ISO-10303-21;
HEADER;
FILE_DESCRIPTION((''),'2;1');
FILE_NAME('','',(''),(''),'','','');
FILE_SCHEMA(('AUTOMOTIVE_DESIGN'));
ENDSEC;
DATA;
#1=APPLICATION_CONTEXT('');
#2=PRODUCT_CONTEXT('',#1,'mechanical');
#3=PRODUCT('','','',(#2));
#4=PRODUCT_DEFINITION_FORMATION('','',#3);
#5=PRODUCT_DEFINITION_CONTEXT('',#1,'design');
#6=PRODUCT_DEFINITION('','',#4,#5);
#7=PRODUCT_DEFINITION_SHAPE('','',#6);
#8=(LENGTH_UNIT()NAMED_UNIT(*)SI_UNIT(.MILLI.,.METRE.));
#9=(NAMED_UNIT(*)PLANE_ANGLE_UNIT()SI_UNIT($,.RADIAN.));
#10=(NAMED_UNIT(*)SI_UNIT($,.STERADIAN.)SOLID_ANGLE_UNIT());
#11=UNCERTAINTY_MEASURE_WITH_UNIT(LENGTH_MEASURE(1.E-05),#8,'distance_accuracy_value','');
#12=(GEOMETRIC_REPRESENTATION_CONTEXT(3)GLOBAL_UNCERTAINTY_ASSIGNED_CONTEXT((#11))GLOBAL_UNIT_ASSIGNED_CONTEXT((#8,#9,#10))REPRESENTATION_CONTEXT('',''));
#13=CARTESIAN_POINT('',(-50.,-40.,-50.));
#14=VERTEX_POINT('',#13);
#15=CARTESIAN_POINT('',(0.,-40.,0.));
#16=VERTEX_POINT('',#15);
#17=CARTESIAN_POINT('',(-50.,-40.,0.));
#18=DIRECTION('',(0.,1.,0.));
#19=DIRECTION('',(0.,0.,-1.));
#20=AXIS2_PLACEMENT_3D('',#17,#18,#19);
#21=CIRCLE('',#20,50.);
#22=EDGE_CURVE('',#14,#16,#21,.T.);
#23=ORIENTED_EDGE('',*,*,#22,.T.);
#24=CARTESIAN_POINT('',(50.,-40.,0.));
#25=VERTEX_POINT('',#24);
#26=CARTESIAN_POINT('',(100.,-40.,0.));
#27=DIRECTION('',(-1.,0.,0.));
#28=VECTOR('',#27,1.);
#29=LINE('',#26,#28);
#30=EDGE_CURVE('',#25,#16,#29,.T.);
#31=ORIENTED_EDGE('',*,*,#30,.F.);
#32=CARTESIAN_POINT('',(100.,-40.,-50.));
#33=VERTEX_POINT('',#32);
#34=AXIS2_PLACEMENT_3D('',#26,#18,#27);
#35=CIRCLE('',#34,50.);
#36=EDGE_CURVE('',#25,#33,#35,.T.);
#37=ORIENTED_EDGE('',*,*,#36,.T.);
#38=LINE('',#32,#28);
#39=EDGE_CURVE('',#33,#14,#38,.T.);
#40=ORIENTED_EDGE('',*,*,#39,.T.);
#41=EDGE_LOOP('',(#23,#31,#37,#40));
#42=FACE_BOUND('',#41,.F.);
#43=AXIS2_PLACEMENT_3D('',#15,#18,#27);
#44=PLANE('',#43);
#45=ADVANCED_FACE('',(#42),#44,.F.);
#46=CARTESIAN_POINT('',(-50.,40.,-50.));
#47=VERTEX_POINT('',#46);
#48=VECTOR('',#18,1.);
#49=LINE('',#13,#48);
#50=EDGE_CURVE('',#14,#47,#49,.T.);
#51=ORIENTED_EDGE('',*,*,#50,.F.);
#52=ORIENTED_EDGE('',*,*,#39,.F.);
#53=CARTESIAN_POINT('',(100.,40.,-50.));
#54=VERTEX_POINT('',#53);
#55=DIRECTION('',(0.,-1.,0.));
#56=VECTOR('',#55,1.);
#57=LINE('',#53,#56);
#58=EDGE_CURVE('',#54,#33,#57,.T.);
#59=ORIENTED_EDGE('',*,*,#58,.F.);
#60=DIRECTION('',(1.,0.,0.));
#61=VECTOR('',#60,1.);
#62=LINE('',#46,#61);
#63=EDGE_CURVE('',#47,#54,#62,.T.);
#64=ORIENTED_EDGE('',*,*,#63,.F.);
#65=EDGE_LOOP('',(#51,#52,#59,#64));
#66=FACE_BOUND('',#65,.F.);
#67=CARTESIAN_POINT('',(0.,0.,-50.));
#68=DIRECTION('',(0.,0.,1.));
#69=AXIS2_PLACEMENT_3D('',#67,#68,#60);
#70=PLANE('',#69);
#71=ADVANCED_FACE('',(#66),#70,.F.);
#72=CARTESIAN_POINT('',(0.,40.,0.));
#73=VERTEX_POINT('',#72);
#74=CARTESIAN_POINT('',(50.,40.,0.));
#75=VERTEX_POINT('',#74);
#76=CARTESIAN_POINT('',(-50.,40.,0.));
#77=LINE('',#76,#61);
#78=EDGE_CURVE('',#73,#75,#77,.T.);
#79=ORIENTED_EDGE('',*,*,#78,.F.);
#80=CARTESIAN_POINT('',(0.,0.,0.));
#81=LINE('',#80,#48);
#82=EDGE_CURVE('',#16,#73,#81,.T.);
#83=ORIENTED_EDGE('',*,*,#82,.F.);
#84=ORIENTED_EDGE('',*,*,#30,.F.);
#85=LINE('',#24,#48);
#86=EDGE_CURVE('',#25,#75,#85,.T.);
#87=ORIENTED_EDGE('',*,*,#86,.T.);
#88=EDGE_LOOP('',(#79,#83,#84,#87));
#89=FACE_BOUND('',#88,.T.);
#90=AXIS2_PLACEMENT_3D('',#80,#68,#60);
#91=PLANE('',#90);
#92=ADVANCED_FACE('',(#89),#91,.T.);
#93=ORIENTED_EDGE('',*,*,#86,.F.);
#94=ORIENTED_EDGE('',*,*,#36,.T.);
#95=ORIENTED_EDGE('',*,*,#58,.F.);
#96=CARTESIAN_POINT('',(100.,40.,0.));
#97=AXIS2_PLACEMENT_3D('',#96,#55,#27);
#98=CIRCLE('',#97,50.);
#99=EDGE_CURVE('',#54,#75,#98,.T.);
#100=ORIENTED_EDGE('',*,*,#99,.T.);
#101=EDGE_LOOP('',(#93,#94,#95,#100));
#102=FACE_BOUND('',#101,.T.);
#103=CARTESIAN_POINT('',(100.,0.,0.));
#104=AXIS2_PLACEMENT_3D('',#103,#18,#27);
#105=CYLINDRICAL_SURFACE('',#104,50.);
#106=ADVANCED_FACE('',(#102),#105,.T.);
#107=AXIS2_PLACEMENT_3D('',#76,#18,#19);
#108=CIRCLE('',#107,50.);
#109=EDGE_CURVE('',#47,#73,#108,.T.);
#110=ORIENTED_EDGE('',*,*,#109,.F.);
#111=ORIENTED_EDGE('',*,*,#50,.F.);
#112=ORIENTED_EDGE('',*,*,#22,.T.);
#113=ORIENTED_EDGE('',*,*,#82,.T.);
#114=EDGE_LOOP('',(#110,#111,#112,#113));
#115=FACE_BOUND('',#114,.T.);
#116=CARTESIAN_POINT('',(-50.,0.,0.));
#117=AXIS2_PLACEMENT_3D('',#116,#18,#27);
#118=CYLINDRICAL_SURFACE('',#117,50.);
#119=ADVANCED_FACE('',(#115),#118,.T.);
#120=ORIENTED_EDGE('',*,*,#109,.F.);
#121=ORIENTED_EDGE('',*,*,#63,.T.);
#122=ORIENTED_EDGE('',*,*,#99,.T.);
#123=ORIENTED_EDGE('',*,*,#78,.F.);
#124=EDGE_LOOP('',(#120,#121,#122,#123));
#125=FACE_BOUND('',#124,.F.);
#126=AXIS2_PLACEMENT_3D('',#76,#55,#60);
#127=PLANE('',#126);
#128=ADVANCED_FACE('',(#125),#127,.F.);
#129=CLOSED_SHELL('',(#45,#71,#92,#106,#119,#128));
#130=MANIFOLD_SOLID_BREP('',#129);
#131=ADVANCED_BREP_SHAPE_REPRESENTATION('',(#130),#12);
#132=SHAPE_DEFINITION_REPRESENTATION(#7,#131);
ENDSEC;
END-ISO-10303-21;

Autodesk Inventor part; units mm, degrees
sketch "スケッチ2" plane through (0, 0, 0) normal (0, 0, 1) x (1, 0, 0)
  line L0 (-50, 40) -> (100, 40)
  line L1 (100, 40) -> (100, -40)
  line L2 (100, -40) -> (-50, -40)
  line L3 (-50, -40) -> (-50, 40)
  point P0 (0, 0)
  point P1 (-50, 0)
  dimension "d2" = 150
  dimension "d3" = 80
  dimension "d4" = 50
extrude "押し出し1" add sketch "スケッチ2" against normal blind 50
sketch "スケッチ6" plane through (0, 0, 0) normal (0, 1, 0) x (-1, 0, 0)
  circle A0 centre (0, 0) radius 25
  dimension "d16" = 50
extrude "押し出し5" [suppressed]
sketch "スケッチ7" plane through (-50, -40, -50) normal (0, -1, 0) x (1, 0, 0)
  circle A0 centre (50, 50) radius 20
  dimension "d19" = 40
extrude "押し出し6" [suppressed]
sketch "スケッチ9" plane through (0, 0, 0) normal (0, 1, 0) x (-1, 0, 0)
  circle A0 centre (50, 0) radius 50
  circle A1 centre (-100, 0) radius 50
  line L0 (50, 0) -> (-100, 0) projected
  line L1 (-100, -50) -> (50, -50) projected
  point P0 (0, 0)
  dimension "d22" = 100
  dimension "d23" = 100
extrude "押し出し7" add sketch "スケッチ9" along normal mid plane 80 contours A0 | A1
properties part number "FootP"
